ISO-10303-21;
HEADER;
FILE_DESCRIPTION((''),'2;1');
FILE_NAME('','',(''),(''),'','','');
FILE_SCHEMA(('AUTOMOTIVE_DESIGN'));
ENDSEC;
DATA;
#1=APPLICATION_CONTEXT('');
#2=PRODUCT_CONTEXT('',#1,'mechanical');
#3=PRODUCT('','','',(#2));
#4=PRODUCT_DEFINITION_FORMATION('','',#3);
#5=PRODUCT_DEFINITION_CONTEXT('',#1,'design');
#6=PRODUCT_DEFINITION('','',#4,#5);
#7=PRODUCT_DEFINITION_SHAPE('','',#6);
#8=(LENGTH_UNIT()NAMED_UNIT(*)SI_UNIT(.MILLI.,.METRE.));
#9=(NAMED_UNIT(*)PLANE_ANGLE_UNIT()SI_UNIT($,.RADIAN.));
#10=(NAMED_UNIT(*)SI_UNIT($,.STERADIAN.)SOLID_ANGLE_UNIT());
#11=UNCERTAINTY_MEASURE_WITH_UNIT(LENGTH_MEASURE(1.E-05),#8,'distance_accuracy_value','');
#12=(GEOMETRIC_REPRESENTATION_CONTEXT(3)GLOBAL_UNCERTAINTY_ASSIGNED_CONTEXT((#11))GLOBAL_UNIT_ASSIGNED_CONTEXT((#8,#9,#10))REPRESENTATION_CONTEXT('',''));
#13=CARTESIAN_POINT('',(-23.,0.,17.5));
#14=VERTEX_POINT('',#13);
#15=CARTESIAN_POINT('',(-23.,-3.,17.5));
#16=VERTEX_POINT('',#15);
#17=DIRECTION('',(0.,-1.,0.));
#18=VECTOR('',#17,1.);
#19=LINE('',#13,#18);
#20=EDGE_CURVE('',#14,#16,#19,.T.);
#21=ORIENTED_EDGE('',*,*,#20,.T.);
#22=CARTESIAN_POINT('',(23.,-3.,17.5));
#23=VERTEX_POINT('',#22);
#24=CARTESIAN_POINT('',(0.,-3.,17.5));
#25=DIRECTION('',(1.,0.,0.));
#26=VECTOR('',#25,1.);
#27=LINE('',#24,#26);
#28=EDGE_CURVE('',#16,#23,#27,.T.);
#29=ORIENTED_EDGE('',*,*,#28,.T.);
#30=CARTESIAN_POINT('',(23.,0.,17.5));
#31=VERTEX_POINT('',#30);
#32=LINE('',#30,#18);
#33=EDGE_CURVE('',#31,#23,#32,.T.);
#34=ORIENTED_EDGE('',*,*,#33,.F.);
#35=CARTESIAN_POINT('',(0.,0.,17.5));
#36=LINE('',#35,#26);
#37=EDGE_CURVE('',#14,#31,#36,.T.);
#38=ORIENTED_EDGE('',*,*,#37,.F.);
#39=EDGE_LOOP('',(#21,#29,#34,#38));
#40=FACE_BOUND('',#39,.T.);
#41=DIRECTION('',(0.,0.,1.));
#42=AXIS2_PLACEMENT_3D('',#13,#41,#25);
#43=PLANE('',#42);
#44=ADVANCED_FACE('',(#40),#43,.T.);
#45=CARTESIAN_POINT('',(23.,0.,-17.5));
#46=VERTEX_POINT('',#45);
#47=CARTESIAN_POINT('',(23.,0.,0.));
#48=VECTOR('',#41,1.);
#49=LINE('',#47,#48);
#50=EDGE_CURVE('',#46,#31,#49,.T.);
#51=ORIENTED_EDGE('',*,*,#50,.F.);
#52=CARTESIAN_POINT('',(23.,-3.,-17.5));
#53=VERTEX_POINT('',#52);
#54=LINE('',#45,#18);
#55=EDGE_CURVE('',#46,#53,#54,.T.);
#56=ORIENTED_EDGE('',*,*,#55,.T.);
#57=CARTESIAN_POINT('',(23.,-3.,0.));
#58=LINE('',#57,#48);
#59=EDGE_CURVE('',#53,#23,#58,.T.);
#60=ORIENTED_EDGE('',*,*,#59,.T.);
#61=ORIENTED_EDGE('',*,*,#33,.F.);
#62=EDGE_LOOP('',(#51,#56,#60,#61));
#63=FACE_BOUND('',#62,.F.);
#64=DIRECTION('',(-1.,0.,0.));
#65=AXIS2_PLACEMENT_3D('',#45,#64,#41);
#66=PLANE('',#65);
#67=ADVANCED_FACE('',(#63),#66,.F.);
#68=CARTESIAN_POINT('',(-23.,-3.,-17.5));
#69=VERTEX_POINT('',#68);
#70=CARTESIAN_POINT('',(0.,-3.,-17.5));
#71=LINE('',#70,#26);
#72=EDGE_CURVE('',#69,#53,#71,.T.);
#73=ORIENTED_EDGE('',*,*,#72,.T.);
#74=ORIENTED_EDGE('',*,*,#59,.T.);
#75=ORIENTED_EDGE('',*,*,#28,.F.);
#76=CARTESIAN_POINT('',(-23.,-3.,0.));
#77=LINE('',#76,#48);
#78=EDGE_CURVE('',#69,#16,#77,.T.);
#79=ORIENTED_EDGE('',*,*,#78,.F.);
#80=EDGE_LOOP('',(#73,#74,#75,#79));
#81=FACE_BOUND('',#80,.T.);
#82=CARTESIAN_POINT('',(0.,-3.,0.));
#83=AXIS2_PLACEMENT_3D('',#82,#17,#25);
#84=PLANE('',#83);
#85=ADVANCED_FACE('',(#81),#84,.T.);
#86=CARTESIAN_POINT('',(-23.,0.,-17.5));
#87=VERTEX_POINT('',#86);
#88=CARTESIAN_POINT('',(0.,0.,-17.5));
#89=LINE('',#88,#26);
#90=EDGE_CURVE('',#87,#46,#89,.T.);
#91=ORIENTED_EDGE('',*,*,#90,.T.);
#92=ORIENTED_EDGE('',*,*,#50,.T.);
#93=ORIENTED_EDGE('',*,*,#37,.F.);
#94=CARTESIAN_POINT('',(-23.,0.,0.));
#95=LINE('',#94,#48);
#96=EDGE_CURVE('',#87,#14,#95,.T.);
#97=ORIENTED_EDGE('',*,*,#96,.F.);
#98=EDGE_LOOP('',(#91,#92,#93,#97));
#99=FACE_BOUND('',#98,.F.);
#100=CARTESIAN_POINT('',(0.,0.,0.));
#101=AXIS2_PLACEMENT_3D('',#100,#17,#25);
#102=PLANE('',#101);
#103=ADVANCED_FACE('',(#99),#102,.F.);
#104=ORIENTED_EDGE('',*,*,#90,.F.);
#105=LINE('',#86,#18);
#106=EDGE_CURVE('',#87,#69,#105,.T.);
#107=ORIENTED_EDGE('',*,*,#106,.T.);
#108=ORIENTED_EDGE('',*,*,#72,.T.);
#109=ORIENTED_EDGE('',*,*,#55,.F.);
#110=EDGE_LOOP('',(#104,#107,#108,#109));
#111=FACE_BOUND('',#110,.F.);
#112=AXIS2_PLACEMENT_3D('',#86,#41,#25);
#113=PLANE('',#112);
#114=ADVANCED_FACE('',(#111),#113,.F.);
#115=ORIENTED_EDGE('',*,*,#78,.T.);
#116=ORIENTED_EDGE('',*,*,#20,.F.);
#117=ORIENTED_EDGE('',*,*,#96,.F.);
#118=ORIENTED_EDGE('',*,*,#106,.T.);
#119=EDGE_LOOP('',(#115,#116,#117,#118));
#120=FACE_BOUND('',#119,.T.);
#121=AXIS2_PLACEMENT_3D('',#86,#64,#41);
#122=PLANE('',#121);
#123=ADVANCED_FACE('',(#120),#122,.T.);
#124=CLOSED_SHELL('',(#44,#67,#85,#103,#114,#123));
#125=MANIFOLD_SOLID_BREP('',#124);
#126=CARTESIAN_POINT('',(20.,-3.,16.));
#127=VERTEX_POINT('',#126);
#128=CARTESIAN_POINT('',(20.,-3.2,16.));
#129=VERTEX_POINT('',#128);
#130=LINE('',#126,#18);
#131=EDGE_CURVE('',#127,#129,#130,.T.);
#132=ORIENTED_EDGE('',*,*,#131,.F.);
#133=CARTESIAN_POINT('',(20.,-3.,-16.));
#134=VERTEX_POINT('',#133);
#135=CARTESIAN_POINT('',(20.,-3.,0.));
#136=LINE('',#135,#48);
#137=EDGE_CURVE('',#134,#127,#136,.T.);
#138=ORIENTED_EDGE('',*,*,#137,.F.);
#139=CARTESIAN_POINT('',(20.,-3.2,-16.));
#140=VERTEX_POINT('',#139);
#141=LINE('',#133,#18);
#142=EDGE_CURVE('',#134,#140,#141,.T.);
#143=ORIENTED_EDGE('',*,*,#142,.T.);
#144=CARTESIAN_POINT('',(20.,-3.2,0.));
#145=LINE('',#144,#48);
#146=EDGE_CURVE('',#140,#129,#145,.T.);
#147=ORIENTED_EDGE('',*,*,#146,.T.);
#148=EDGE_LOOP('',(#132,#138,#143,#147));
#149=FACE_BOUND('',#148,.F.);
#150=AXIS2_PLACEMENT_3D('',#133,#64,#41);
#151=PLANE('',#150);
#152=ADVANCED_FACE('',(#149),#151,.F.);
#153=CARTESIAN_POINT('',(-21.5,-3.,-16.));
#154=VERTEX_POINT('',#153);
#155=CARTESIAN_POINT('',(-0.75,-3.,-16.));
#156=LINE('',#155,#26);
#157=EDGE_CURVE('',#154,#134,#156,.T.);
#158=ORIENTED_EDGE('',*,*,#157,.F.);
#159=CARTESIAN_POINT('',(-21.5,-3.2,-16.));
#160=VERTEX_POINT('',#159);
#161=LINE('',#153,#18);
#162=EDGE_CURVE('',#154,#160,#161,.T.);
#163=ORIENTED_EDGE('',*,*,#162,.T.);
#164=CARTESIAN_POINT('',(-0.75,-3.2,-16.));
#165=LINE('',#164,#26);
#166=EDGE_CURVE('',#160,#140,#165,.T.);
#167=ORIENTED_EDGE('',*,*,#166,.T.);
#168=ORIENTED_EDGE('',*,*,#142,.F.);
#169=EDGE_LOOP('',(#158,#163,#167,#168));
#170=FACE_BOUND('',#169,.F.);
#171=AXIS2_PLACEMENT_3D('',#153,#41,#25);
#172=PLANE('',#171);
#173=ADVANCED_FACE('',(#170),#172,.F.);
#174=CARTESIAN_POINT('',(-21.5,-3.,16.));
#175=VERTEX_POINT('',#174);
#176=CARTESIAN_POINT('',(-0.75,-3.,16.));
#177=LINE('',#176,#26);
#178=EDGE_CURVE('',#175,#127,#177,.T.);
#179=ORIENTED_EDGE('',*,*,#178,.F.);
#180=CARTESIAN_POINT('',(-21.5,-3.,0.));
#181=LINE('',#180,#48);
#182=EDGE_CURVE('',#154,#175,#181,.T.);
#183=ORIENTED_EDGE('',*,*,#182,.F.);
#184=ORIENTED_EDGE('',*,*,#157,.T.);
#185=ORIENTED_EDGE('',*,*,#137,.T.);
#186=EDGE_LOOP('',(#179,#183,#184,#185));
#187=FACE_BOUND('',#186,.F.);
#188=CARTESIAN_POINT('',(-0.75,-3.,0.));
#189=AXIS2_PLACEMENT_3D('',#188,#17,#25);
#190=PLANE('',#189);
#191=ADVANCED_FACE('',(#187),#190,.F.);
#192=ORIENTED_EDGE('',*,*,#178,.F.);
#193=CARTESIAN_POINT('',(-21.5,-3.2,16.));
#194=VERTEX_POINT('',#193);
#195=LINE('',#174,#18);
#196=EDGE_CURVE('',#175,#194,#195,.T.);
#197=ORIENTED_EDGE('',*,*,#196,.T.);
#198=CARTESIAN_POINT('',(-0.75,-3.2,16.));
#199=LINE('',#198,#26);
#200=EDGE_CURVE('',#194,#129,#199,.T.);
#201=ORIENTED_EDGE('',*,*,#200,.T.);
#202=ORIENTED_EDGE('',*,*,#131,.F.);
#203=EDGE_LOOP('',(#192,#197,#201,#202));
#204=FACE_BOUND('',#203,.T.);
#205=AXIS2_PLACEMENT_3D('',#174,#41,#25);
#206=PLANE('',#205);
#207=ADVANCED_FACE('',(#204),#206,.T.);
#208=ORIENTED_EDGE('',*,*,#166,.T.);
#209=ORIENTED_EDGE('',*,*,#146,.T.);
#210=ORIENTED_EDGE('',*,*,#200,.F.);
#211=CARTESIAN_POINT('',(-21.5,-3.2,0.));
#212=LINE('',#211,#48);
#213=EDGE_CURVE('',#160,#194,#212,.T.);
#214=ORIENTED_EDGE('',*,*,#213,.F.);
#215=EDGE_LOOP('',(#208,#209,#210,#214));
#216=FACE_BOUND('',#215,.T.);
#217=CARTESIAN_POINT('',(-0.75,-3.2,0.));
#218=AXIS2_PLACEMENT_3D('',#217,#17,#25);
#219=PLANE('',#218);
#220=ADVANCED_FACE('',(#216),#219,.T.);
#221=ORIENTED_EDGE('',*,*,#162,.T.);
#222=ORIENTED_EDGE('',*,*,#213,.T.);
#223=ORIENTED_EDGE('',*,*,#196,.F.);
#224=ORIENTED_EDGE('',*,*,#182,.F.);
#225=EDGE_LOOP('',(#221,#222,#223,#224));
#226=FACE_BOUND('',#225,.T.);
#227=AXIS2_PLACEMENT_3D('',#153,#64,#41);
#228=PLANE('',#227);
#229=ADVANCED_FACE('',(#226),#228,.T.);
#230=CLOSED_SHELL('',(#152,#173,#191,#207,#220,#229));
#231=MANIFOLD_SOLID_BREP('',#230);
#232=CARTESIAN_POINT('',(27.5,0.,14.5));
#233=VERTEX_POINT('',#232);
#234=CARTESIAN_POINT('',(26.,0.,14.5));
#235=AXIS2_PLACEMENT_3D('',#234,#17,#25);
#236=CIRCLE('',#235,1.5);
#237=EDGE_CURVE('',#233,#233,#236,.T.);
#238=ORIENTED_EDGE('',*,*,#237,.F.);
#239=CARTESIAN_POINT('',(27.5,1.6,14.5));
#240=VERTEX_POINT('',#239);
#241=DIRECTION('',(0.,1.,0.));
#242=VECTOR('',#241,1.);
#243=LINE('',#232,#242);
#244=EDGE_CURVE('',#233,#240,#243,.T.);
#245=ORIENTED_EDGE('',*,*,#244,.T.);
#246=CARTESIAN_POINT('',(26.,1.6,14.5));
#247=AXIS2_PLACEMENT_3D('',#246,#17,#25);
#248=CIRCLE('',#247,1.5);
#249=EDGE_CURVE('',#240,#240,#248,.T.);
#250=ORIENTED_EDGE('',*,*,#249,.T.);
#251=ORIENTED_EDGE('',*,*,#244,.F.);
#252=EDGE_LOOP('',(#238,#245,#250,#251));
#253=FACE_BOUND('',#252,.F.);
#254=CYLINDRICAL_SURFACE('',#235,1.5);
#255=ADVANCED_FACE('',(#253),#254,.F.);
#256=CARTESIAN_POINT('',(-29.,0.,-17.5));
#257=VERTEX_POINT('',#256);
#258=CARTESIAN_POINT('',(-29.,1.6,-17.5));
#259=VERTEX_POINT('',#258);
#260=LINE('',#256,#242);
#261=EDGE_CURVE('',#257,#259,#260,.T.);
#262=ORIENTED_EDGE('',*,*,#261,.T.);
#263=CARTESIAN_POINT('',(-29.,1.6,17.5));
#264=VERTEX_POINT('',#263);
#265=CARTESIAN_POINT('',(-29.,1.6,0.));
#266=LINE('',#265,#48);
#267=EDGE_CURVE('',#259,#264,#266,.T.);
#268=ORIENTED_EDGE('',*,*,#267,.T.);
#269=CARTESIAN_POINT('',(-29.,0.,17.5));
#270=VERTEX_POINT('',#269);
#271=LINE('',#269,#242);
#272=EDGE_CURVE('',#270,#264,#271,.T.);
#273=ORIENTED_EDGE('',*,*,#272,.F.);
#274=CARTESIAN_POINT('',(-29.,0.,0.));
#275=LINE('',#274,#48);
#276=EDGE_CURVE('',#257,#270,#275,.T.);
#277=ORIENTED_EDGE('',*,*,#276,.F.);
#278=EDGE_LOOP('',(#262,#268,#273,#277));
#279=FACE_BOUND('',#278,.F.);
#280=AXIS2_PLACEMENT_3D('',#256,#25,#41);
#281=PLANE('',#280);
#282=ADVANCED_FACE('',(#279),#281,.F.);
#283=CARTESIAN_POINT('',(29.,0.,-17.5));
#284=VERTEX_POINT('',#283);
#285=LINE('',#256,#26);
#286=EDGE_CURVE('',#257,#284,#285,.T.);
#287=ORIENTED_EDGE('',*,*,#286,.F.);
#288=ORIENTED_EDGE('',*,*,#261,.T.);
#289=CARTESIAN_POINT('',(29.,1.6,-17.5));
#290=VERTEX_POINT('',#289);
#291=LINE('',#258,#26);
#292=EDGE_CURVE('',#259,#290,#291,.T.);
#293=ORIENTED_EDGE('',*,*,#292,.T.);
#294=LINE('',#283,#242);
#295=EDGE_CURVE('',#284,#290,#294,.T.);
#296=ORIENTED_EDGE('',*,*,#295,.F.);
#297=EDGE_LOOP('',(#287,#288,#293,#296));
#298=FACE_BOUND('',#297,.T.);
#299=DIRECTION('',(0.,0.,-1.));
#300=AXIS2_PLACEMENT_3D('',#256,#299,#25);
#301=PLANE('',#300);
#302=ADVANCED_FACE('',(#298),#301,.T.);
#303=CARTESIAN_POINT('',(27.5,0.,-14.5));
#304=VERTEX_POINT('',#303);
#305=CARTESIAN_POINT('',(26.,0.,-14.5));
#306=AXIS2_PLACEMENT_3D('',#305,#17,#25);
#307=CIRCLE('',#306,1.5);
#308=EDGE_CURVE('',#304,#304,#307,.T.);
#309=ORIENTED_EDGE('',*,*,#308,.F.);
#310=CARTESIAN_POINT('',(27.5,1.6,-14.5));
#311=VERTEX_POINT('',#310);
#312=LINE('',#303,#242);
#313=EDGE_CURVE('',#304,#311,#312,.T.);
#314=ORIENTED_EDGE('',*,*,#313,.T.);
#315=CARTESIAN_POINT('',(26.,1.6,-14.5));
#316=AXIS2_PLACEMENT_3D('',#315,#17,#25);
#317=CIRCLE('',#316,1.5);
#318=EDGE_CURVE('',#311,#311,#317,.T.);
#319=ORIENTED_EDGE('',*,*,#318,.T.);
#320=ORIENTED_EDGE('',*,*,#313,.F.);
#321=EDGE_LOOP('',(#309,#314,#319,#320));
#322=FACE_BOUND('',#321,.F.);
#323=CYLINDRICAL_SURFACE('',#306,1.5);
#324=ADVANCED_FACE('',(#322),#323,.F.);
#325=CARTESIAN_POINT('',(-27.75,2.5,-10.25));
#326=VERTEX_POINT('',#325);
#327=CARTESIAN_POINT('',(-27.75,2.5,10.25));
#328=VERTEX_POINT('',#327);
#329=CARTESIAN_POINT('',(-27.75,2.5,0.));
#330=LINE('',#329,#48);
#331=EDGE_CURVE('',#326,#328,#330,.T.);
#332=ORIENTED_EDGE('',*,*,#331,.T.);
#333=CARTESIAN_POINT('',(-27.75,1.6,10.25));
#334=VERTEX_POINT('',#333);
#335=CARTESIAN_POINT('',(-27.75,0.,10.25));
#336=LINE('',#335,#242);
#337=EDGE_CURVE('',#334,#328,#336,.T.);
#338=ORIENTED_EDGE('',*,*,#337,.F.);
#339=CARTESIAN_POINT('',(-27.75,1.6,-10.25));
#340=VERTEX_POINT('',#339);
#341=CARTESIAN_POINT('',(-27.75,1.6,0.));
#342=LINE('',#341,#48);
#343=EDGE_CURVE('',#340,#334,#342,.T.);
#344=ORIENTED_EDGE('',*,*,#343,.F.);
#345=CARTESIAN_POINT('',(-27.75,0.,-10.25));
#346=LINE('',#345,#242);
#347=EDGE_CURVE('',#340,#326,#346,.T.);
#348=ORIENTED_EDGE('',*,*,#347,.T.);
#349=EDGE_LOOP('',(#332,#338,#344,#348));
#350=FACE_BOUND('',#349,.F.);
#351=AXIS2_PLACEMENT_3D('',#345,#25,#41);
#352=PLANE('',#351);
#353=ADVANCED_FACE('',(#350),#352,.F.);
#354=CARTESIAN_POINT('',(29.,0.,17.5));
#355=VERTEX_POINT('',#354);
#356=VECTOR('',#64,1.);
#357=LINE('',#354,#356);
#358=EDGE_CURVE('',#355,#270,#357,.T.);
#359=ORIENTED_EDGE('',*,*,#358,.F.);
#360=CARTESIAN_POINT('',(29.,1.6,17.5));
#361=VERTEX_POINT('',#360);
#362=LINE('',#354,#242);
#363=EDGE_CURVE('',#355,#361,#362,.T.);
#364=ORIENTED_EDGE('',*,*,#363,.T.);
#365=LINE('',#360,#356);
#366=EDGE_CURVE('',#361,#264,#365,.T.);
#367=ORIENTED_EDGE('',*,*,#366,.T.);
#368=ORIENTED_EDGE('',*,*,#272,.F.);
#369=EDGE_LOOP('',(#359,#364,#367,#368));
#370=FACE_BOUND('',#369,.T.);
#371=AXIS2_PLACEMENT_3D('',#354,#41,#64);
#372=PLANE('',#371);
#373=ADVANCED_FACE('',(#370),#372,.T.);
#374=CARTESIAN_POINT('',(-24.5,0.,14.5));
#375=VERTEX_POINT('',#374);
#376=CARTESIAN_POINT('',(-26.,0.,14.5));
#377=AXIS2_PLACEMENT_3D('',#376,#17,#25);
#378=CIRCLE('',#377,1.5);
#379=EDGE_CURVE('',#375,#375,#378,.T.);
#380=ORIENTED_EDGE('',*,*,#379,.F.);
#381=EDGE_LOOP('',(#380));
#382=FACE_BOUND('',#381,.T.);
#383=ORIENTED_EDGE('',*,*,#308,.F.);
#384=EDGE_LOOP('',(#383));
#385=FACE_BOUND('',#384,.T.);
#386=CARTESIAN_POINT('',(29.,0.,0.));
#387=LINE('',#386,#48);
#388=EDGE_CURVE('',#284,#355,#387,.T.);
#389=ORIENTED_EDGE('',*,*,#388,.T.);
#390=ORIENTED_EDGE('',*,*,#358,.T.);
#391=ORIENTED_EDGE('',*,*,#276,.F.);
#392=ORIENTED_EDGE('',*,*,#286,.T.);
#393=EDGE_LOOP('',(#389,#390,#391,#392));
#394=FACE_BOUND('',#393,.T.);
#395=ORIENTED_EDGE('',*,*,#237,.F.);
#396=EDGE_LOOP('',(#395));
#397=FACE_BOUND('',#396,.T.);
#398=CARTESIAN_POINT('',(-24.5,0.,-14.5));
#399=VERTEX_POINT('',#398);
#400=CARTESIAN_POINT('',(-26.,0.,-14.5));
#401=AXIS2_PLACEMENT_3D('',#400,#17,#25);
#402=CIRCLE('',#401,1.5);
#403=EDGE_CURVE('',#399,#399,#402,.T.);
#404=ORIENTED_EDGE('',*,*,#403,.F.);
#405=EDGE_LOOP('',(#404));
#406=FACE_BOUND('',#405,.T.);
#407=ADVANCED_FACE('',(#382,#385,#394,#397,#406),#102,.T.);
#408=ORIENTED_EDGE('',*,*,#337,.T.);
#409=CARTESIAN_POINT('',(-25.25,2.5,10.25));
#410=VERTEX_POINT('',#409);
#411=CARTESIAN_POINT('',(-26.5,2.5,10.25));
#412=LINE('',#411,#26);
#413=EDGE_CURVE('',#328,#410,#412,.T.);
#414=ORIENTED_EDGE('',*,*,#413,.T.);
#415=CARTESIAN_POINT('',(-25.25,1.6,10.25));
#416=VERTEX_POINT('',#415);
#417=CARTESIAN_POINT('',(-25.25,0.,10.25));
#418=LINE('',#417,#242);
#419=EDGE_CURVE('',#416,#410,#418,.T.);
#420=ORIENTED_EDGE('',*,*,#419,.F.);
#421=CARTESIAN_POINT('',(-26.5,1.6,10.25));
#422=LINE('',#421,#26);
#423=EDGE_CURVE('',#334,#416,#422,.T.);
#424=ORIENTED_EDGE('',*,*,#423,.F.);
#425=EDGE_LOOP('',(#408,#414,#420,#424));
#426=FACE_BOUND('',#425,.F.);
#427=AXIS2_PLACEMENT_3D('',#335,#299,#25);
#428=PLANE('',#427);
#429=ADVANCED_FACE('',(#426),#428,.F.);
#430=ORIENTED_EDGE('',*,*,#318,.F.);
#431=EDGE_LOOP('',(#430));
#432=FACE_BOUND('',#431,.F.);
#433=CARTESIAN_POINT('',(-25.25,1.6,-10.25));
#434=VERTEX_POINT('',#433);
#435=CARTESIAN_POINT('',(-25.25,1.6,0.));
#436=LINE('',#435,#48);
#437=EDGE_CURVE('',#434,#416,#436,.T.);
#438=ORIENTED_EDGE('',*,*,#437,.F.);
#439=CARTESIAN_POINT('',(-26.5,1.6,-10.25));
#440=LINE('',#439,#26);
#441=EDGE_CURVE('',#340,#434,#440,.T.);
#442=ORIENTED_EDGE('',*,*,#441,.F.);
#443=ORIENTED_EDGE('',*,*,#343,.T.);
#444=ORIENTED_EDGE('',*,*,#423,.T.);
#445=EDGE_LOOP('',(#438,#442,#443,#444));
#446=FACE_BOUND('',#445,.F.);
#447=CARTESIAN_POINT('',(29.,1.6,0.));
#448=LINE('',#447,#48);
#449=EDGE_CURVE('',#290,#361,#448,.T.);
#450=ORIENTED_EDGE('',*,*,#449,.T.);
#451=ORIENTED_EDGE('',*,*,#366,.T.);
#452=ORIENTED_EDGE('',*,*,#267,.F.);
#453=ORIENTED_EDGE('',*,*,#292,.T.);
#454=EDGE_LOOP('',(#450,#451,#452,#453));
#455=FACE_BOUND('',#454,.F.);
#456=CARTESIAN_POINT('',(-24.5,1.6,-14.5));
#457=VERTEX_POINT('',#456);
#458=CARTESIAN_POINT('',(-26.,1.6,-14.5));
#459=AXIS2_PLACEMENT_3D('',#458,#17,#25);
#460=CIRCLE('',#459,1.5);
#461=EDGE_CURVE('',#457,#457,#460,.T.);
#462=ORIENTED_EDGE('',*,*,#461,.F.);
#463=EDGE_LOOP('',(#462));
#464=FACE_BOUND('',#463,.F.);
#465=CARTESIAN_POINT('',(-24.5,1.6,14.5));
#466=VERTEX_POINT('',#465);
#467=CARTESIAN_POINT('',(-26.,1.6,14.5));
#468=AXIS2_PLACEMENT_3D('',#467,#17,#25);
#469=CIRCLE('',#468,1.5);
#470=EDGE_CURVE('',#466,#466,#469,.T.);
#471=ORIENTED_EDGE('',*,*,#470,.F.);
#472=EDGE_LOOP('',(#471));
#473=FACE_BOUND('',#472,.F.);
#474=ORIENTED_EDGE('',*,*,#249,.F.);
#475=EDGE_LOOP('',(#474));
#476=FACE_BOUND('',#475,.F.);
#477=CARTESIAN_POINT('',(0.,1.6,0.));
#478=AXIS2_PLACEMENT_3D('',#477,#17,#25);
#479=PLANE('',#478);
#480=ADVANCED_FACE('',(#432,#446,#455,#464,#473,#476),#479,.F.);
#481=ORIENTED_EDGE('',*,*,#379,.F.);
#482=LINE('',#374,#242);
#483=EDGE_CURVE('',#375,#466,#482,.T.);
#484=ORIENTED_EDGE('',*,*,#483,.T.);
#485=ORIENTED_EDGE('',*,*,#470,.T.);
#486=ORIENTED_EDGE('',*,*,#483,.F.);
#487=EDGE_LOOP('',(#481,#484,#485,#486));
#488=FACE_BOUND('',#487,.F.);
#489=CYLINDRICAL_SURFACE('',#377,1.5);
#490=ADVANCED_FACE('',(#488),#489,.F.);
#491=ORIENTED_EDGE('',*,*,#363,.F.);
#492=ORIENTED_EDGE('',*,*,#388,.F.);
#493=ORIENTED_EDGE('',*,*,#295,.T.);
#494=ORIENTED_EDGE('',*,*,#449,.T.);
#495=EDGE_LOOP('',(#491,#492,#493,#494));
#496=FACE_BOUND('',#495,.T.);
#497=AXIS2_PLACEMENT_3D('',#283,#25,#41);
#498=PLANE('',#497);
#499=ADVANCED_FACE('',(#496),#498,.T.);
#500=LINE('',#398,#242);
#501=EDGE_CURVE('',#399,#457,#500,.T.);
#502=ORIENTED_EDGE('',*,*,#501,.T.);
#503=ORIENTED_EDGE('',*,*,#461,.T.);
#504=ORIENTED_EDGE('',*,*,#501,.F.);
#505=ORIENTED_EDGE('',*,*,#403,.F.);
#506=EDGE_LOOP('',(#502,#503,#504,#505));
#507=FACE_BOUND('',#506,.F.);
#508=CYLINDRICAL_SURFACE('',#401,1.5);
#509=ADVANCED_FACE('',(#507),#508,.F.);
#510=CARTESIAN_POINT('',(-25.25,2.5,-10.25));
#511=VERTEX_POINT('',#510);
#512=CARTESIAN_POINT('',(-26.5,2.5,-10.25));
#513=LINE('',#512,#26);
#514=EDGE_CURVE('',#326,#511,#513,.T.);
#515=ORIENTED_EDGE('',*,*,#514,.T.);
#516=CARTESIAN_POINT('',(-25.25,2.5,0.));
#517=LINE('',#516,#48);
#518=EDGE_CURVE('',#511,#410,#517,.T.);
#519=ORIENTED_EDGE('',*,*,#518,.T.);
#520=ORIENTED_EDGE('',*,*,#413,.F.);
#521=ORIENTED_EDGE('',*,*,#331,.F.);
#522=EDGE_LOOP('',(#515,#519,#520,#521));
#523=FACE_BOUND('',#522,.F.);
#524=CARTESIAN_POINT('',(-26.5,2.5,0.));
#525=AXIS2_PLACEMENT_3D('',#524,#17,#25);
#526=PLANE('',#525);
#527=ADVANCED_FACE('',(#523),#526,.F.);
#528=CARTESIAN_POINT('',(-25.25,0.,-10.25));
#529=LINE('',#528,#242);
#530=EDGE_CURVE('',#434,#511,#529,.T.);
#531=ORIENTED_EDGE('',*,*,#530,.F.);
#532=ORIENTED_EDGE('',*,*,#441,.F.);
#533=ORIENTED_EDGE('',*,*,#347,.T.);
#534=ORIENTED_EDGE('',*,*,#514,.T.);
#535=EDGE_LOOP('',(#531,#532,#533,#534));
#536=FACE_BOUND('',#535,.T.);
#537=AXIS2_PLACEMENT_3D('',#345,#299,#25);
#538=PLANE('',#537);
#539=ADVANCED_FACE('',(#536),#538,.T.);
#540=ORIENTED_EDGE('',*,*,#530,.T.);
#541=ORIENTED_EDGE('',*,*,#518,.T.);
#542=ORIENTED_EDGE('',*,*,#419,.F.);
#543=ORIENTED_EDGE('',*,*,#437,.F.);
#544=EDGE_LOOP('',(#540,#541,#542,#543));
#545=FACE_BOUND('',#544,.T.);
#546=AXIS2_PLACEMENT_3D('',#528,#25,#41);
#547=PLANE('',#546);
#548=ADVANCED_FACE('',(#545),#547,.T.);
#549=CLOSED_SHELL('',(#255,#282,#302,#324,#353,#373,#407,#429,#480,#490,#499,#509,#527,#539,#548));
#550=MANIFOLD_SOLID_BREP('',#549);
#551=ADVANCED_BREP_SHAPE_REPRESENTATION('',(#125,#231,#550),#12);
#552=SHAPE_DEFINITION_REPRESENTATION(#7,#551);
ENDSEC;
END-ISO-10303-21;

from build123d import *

# Parameters (mm, degrees)
F0_W     = 46
F0_H     = 35
F0_W_2   = 6
F0_R     = 1.5
F0_W_3   = 2.5
F0_H_2   = 20.5
F1_DEPTH = 1.6
F2_DEPTH = 3
F3_DEPTH = 2.5
F4_W     = 41.5
F4_H     = 32
F5_DEPTH = 0.2


with BuildPart() as f1:
    # F0 (on Front) → F1 (new body)
    with BuildSketch(Plane.XZ):
        Rectangle(F0_W, F0_H)
        with Locations((26, 0)):
            Rectangle(F0_W_2, F0_H)
        with Locations((26, -14.5)):
            Circle(F0_R, mode=Mode.SUBTRACT)
        with Locations((26, 14.5)):
            Circle(F0_R, mode=Mode.SUBTRACT)
        with Locations((-26, 0)):
            Rectangle(F0_W_2, F0_H)
        with Locations((-26, -14.5)):
            Circle(F0_R, mode=Mode.SUBTRACT)
        with Locations((-26.5, 0)):
            Rectangle(F0_W_3, F0_H_2, mode=Mode.SUBTRACT)
        with Locations((-26, 14.5)):
            Circle(F0_R, mode=Mode.SUBTRACT)
    extrude(amount=-F1_DEPTH)

    # F0 (on Front) → F3 (join)
    with BuildSketch(Plane.XZ):
        with Locations((-26.5, 0)):
            Rectangle(F0_W_3, F0_H_2)
    extrude(amount=-F3_DEPTH)


with BuildPart() as f2:
    # F0 (on Front) → F2 (new body)
    with BuildSketch(Plane.XZ):
        Rectangle(F0_W, F0_H)
    extrude(amount=F2_DEPTH)


with BuildPart() as f5:
    # F4 (on face) → F5 (new body)
    with BuildSketch(Plane.XZ.offset(3)):
        with Locations((-0.75, 0)):
            Rectangle(F4_W, F4_H)
    extrude(amount=F5_DEPTH)


solid = Compound([f1.part, f2.part, f5.part])
